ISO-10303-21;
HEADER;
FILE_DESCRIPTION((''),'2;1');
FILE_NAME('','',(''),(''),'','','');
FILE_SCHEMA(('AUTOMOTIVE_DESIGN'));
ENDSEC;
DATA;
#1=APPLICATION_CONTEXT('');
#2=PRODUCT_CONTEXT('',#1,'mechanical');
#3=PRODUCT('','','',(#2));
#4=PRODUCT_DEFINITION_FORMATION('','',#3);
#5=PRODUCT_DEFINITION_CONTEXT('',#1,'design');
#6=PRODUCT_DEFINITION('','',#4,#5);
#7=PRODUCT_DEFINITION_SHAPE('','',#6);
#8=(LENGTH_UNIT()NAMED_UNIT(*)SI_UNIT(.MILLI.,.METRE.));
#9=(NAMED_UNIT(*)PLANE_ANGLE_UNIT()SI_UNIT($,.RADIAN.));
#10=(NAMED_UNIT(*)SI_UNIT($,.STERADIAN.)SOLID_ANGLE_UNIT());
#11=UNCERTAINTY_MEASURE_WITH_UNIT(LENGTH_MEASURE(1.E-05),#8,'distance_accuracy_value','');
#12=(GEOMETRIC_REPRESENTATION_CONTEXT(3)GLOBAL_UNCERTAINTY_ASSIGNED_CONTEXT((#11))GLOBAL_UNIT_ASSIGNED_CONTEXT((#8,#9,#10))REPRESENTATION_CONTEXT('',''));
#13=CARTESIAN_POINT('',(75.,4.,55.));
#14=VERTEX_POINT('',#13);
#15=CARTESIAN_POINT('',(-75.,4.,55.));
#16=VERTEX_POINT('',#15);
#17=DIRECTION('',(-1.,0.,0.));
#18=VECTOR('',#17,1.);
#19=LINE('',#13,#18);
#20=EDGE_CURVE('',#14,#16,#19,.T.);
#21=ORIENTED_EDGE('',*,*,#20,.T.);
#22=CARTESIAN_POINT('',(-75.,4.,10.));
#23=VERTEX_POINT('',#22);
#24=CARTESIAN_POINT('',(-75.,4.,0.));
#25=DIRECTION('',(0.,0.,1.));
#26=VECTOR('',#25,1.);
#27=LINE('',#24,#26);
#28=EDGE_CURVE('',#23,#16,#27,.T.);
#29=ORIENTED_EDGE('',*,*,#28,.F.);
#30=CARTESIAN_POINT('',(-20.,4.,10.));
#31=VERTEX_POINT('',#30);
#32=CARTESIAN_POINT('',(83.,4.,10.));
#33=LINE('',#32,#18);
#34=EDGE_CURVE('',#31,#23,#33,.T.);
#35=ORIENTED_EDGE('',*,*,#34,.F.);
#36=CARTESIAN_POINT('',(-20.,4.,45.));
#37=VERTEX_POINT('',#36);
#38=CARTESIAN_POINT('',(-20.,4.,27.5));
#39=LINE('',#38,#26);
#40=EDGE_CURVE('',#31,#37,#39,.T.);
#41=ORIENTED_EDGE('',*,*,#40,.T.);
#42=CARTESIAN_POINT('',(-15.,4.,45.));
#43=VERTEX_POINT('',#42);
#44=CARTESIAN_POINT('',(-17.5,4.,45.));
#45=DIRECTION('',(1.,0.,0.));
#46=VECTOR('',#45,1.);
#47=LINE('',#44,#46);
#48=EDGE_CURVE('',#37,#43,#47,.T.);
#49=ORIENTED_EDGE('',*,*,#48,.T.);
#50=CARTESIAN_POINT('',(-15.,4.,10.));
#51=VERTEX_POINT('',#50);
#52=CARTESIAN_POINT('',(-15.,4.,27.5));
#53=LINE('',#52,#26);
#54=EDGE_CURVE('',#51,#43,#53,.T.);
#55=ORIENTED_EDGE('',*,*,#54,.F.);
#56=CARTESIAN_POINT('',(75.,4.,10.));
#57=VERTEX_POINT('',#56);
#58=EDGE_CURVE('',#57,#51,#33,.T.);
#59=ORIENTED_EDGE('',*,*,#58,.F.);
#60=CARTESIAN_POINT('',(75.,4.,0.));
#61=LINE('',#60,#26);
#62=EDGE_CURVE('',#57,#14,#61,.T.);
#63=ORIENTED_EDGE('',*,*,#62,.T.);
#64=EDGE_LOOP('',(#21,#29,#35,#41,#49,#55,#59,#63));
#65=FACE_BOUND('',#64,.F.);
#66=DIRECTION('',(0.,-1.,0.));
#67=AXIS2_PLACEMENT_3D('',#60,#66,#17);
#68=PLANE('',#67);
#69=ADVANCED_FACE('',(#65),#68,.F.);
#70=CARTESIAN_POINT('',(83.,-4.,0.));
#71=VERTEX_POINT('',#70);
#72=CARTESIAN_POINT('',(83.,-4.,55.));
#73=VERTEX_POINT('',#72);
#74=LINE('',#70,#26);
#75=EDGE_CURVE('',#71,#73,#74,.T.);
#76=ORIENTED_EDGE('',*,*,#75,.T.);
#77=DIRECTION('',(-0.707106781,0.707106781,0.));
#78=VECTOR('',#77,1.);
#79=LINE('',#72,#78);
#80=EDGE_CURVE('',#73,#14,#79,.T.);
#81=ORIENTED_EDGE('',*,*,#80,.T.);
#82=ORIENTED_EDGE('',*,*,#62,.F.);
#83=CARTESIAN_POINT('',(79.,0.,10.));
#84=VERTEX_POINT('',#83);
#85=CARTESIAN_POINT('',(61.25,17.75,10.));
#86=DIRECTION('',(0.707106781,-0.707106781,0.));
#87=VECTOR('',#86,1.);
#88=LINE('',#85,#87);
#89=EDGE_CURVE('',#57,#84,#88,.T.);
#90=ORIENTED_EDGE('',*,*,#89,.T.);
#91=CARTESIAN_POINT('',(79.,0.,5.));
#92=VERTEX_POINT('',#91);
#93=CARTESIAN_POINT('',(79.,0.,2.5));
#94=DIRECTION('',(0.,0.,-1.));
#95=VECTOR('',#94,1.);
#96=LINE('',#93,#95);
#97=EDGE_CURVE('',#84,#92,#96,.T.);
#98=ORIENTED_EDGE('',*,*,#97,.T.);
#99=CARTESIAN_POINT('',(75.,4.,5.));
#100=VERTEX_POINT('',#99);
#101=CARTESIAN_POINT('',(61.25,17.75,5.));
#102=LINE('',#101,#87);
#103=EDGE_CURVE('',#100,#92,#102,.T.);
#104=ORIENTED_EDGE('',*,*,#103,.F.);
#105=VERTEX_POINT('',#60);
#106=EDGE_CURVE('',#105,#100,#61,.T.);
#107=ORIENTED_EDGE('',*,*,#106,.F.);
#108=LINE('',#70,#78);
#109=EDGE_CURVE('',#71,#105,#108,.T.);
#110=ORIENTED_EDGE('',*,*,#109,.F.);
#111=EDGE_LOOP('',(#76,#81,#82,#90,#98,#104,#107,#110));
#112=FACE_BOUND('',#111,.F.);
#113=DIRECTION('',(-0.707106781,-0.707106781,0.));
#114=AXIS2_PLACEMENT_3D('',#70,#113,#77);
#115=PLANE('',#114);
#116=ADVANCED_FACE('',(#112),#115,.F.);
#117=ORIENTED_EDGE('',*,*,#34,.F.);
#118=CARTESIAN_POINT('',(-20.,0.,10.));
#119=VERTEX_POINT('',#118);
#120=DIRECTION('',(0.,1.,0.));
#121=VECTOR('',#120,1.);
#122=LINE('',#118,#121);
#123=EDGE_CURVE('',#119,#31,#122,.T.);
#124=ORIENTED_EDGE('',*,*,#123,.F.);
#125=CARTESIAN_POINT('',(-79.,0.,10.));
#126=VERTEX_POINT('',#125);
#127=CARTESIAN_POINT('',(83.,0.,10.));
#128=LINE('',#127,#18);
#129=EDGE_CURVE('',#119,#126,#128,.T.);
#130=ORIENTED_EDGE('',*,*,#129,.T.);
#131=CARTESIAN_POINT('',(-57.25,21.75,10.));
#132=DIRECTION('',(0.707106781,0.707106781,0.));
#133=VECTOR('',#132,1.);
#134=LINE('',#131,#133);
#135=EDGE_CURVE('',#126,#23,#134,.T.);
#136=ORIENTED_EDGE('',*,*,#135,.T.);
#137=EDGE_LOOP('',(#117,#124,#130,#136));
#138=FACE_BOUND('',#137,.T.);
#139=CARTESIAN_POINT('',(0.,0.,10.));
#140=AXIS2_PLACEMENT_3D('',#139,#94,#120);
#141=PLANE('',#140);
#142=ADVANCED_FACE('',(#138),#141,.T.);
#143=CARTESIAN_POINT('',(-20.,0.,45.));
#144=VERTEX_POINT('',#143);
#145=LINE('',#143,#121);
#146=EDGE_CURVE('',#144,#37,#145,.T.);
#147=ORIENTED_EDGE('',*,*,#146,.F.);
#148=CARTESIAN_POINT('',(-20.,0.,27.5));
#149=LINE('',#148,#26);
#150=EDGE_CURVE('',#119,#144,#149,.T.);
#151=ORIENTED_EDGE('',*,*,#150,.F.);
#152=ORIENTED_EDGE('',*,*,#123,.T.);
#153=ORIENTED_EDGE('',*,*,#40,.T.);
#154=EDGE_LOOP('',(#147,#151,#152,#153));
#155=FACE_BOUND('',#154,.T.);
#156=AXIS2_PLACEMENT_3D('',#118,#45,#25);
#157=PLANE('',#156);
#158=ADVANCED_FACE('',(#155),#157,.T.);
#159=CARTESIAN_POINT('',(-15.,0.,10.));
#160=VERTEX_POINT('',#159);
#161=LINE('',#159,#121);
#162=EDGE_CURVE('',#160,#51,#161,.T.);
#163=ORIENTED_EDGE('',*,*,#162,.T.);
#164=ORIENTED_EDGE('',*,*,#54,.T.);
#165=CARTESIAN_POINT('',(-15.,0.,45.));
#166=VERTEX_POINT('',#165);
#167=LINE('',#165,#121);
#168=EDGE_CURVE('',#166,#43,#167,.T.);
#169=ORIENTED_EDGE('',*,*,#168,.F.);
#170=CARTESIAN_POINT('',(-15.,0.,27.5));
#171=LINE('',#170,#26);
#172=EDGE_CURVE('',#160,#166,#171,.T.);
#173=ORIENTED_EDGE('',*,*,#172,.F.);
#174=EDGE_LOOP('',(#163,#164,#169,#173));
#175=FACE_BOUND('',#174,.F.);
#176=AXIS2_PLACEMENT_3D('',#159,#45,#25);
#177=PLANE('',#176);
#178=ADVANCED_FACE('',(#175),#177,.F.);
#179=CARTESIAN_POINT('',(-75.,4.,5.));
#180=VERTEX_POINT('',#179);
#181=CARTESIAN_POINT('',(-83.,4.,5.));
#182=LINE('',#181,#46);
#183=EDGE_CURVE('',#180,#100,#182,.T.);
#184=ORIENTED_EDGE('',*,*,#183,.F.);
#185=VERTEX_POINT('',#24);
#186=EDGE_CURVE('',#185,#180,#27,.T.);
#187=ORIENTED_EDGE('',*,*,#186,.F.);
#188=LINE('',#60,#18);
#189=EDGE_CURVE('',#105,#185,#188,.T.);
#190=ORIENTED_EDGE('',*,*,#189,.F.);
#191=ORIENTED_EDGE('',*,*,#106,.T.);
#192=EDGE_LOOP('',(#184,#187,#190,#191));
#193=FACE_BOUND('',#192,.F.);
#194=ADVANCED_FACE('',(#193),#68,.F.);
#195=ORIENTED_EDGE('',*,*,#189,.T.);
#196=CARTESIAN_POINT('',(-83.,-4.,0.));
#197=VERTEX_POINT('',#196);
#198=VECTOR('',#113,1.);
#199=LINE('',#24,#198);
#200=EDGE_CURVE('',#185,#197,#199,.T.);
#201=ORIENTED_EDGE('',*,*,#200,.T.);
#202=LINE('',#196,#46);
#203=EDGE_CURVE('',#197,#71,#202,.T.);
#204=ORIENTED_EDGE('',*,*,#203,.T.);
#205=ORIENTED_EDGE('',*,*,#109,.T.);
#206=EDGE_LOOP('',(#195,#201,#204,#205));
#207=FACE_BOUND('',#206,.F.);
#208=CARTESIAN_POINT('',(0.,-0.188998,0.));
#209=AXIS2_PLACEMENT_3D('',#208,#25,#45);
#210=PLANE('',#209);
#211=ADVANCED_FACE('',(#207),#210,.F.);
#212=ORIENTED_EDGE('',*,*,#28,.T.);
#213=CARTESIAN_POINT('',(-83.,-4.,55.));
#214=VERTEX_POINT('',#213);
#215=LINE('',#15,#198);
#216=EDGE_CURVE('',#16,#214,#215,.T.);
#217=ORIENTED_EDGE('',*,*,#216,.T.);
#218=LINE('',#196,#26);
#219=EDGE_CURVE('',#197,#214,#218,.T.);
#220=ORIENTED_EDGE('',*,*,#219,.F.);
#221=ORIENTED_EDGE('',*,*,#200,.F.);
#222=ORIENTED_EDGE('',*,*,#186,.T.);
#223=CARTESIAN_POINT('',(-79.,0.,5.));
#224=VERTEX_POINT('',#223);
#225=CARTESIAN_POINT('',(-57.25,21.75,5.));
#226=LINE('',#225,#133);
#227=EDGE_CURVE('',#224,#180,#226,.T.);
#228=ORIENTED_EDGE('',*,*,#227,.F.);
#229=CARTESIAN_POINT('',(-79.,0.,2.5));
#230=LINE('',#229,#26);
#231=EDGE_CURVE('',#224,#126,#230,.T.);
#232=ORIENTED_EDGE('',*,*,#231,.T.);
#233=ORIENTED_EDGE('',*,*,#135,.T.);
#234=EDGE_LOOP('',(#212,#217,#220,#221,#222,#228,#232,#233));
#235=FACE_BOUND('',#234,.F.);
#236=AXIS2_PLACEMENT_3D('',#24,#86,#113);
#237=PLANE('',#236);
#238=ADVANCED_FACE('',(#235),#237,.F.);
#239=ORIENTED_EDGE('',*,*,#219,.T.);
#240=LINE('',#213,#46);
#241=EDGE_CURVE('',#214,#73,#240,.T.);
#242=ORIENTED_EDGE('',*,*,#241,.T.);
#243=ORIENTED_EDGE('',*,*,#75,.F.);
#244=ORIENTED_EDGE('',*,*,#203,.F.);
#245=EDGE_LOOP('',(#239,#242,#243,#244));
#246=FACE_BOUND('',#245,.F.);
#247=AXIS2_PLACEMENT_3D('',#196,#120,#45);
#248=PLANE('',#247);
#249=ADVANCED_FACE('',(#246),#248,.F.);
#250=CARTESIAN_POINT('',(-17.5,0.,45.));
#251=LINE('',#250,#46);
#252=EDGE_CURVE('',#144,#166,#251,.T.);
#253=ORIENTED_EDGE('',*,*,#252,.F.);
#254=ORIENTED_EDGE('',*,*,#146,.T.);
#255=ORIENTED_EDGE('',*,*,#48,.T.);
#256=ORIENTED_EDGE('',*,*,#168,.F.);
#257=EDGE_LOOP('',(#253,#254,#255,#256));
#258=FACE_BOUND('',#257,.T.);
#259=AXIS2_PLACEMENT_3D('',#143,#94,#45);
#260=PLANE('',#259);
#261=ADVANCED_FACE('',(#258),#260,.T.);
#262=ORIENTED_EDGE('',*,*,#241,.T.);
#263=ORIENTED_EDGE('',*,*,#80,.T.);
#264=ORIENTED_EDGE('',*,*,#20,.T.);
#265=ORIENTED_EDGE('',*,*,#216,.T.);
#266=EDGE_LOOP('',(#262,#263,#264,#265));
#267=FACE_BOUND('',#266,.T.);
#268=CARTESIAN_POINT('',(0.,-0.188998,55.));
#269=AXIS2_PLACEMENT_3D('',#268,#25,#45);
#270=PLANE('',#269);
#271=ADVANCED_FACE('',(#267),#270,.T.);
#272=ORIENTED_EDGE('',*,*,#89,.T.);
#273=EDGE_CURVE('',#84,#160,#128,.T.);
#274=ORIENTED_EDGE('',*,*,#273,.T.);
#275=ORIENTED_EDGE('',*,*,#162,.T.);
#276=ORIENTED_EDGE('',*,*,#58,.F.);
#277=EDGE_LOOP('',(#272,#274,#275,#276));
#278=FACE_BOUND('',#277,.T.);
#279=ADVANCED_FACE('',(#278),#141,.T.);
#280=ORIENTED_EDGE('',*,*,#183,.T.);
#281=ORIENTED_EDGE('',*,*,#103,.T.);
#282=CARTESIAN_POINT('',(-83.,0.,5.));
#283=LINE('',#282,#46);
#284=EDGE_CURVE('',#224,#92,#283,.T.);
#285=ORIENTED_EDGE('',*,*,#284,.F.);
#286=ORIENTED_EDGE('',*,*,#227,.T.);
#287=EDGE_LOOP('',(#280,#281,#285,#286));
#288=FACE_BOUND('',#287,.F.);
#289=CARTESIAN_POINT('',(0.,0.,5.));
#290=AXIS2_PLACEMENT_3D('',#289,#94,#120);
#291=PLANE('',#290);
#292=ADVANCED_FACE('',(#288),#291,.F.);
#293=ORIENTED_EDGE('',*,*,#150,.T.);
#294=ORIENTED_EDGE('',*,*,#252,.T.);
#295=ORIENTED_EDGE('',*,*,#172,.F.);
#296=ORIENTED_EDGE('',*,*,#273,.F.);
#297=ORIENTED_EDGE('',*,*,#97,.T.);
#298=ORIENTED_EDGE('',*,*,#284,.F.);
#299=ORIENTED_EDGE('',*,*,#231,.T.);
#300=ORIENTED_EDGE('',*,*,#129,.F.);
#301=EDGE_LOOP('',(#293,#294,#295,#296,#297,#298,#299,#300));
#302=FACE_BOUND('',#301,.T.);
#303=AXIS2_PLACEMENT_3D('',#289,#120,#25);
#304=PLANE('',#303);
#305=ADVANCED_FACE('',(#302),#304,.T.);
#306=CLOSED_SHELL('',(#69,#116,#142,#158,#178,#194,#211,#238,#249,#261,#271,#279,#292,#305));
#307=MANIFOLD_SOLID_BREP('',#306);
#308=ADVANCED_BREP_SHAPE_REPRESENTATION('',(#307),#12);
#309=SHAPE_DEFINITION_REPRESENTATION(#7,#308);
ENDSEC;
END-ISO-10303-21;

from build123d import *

# Parameters (mm, degrees)
F1_DEPTH = 55
F2_W     = 4
F2_H     = 5
F3_DEPTH = 83
F4_W     = 5
F4_H     = 35
F5_DEPTH = 4


with BuildPart() as f1:
    # F0 (on Top) → F1 (new body)
    with BuildSketch(Plane.XY):
        Polygon((-75, 4), (-83, -4), (83, -4), (75, 4), align=None)
    extrude(amount=F1_DEPTH)

    # F2 (on Right) → F3 (cut, symmetric)
    with BuildSketch(Plane.YZ):
        with Locations((2, 7.5)):
            Rectangle(F2_W, F2_H)
    extrude(amount=F3_DEPTH, both=True, mode=Mode.SUBTRACT)

    # F4 (on Front) → F5 (cut)
    with BuildSketch(Plane.XZ):
        with Locations((-17.5, 27.5)):
            Rectangle(F4_W, F4_H)
    extrude(amount=-F5_DEPTH, mode=Mode.SUBTRACT)


solid = f1.part
